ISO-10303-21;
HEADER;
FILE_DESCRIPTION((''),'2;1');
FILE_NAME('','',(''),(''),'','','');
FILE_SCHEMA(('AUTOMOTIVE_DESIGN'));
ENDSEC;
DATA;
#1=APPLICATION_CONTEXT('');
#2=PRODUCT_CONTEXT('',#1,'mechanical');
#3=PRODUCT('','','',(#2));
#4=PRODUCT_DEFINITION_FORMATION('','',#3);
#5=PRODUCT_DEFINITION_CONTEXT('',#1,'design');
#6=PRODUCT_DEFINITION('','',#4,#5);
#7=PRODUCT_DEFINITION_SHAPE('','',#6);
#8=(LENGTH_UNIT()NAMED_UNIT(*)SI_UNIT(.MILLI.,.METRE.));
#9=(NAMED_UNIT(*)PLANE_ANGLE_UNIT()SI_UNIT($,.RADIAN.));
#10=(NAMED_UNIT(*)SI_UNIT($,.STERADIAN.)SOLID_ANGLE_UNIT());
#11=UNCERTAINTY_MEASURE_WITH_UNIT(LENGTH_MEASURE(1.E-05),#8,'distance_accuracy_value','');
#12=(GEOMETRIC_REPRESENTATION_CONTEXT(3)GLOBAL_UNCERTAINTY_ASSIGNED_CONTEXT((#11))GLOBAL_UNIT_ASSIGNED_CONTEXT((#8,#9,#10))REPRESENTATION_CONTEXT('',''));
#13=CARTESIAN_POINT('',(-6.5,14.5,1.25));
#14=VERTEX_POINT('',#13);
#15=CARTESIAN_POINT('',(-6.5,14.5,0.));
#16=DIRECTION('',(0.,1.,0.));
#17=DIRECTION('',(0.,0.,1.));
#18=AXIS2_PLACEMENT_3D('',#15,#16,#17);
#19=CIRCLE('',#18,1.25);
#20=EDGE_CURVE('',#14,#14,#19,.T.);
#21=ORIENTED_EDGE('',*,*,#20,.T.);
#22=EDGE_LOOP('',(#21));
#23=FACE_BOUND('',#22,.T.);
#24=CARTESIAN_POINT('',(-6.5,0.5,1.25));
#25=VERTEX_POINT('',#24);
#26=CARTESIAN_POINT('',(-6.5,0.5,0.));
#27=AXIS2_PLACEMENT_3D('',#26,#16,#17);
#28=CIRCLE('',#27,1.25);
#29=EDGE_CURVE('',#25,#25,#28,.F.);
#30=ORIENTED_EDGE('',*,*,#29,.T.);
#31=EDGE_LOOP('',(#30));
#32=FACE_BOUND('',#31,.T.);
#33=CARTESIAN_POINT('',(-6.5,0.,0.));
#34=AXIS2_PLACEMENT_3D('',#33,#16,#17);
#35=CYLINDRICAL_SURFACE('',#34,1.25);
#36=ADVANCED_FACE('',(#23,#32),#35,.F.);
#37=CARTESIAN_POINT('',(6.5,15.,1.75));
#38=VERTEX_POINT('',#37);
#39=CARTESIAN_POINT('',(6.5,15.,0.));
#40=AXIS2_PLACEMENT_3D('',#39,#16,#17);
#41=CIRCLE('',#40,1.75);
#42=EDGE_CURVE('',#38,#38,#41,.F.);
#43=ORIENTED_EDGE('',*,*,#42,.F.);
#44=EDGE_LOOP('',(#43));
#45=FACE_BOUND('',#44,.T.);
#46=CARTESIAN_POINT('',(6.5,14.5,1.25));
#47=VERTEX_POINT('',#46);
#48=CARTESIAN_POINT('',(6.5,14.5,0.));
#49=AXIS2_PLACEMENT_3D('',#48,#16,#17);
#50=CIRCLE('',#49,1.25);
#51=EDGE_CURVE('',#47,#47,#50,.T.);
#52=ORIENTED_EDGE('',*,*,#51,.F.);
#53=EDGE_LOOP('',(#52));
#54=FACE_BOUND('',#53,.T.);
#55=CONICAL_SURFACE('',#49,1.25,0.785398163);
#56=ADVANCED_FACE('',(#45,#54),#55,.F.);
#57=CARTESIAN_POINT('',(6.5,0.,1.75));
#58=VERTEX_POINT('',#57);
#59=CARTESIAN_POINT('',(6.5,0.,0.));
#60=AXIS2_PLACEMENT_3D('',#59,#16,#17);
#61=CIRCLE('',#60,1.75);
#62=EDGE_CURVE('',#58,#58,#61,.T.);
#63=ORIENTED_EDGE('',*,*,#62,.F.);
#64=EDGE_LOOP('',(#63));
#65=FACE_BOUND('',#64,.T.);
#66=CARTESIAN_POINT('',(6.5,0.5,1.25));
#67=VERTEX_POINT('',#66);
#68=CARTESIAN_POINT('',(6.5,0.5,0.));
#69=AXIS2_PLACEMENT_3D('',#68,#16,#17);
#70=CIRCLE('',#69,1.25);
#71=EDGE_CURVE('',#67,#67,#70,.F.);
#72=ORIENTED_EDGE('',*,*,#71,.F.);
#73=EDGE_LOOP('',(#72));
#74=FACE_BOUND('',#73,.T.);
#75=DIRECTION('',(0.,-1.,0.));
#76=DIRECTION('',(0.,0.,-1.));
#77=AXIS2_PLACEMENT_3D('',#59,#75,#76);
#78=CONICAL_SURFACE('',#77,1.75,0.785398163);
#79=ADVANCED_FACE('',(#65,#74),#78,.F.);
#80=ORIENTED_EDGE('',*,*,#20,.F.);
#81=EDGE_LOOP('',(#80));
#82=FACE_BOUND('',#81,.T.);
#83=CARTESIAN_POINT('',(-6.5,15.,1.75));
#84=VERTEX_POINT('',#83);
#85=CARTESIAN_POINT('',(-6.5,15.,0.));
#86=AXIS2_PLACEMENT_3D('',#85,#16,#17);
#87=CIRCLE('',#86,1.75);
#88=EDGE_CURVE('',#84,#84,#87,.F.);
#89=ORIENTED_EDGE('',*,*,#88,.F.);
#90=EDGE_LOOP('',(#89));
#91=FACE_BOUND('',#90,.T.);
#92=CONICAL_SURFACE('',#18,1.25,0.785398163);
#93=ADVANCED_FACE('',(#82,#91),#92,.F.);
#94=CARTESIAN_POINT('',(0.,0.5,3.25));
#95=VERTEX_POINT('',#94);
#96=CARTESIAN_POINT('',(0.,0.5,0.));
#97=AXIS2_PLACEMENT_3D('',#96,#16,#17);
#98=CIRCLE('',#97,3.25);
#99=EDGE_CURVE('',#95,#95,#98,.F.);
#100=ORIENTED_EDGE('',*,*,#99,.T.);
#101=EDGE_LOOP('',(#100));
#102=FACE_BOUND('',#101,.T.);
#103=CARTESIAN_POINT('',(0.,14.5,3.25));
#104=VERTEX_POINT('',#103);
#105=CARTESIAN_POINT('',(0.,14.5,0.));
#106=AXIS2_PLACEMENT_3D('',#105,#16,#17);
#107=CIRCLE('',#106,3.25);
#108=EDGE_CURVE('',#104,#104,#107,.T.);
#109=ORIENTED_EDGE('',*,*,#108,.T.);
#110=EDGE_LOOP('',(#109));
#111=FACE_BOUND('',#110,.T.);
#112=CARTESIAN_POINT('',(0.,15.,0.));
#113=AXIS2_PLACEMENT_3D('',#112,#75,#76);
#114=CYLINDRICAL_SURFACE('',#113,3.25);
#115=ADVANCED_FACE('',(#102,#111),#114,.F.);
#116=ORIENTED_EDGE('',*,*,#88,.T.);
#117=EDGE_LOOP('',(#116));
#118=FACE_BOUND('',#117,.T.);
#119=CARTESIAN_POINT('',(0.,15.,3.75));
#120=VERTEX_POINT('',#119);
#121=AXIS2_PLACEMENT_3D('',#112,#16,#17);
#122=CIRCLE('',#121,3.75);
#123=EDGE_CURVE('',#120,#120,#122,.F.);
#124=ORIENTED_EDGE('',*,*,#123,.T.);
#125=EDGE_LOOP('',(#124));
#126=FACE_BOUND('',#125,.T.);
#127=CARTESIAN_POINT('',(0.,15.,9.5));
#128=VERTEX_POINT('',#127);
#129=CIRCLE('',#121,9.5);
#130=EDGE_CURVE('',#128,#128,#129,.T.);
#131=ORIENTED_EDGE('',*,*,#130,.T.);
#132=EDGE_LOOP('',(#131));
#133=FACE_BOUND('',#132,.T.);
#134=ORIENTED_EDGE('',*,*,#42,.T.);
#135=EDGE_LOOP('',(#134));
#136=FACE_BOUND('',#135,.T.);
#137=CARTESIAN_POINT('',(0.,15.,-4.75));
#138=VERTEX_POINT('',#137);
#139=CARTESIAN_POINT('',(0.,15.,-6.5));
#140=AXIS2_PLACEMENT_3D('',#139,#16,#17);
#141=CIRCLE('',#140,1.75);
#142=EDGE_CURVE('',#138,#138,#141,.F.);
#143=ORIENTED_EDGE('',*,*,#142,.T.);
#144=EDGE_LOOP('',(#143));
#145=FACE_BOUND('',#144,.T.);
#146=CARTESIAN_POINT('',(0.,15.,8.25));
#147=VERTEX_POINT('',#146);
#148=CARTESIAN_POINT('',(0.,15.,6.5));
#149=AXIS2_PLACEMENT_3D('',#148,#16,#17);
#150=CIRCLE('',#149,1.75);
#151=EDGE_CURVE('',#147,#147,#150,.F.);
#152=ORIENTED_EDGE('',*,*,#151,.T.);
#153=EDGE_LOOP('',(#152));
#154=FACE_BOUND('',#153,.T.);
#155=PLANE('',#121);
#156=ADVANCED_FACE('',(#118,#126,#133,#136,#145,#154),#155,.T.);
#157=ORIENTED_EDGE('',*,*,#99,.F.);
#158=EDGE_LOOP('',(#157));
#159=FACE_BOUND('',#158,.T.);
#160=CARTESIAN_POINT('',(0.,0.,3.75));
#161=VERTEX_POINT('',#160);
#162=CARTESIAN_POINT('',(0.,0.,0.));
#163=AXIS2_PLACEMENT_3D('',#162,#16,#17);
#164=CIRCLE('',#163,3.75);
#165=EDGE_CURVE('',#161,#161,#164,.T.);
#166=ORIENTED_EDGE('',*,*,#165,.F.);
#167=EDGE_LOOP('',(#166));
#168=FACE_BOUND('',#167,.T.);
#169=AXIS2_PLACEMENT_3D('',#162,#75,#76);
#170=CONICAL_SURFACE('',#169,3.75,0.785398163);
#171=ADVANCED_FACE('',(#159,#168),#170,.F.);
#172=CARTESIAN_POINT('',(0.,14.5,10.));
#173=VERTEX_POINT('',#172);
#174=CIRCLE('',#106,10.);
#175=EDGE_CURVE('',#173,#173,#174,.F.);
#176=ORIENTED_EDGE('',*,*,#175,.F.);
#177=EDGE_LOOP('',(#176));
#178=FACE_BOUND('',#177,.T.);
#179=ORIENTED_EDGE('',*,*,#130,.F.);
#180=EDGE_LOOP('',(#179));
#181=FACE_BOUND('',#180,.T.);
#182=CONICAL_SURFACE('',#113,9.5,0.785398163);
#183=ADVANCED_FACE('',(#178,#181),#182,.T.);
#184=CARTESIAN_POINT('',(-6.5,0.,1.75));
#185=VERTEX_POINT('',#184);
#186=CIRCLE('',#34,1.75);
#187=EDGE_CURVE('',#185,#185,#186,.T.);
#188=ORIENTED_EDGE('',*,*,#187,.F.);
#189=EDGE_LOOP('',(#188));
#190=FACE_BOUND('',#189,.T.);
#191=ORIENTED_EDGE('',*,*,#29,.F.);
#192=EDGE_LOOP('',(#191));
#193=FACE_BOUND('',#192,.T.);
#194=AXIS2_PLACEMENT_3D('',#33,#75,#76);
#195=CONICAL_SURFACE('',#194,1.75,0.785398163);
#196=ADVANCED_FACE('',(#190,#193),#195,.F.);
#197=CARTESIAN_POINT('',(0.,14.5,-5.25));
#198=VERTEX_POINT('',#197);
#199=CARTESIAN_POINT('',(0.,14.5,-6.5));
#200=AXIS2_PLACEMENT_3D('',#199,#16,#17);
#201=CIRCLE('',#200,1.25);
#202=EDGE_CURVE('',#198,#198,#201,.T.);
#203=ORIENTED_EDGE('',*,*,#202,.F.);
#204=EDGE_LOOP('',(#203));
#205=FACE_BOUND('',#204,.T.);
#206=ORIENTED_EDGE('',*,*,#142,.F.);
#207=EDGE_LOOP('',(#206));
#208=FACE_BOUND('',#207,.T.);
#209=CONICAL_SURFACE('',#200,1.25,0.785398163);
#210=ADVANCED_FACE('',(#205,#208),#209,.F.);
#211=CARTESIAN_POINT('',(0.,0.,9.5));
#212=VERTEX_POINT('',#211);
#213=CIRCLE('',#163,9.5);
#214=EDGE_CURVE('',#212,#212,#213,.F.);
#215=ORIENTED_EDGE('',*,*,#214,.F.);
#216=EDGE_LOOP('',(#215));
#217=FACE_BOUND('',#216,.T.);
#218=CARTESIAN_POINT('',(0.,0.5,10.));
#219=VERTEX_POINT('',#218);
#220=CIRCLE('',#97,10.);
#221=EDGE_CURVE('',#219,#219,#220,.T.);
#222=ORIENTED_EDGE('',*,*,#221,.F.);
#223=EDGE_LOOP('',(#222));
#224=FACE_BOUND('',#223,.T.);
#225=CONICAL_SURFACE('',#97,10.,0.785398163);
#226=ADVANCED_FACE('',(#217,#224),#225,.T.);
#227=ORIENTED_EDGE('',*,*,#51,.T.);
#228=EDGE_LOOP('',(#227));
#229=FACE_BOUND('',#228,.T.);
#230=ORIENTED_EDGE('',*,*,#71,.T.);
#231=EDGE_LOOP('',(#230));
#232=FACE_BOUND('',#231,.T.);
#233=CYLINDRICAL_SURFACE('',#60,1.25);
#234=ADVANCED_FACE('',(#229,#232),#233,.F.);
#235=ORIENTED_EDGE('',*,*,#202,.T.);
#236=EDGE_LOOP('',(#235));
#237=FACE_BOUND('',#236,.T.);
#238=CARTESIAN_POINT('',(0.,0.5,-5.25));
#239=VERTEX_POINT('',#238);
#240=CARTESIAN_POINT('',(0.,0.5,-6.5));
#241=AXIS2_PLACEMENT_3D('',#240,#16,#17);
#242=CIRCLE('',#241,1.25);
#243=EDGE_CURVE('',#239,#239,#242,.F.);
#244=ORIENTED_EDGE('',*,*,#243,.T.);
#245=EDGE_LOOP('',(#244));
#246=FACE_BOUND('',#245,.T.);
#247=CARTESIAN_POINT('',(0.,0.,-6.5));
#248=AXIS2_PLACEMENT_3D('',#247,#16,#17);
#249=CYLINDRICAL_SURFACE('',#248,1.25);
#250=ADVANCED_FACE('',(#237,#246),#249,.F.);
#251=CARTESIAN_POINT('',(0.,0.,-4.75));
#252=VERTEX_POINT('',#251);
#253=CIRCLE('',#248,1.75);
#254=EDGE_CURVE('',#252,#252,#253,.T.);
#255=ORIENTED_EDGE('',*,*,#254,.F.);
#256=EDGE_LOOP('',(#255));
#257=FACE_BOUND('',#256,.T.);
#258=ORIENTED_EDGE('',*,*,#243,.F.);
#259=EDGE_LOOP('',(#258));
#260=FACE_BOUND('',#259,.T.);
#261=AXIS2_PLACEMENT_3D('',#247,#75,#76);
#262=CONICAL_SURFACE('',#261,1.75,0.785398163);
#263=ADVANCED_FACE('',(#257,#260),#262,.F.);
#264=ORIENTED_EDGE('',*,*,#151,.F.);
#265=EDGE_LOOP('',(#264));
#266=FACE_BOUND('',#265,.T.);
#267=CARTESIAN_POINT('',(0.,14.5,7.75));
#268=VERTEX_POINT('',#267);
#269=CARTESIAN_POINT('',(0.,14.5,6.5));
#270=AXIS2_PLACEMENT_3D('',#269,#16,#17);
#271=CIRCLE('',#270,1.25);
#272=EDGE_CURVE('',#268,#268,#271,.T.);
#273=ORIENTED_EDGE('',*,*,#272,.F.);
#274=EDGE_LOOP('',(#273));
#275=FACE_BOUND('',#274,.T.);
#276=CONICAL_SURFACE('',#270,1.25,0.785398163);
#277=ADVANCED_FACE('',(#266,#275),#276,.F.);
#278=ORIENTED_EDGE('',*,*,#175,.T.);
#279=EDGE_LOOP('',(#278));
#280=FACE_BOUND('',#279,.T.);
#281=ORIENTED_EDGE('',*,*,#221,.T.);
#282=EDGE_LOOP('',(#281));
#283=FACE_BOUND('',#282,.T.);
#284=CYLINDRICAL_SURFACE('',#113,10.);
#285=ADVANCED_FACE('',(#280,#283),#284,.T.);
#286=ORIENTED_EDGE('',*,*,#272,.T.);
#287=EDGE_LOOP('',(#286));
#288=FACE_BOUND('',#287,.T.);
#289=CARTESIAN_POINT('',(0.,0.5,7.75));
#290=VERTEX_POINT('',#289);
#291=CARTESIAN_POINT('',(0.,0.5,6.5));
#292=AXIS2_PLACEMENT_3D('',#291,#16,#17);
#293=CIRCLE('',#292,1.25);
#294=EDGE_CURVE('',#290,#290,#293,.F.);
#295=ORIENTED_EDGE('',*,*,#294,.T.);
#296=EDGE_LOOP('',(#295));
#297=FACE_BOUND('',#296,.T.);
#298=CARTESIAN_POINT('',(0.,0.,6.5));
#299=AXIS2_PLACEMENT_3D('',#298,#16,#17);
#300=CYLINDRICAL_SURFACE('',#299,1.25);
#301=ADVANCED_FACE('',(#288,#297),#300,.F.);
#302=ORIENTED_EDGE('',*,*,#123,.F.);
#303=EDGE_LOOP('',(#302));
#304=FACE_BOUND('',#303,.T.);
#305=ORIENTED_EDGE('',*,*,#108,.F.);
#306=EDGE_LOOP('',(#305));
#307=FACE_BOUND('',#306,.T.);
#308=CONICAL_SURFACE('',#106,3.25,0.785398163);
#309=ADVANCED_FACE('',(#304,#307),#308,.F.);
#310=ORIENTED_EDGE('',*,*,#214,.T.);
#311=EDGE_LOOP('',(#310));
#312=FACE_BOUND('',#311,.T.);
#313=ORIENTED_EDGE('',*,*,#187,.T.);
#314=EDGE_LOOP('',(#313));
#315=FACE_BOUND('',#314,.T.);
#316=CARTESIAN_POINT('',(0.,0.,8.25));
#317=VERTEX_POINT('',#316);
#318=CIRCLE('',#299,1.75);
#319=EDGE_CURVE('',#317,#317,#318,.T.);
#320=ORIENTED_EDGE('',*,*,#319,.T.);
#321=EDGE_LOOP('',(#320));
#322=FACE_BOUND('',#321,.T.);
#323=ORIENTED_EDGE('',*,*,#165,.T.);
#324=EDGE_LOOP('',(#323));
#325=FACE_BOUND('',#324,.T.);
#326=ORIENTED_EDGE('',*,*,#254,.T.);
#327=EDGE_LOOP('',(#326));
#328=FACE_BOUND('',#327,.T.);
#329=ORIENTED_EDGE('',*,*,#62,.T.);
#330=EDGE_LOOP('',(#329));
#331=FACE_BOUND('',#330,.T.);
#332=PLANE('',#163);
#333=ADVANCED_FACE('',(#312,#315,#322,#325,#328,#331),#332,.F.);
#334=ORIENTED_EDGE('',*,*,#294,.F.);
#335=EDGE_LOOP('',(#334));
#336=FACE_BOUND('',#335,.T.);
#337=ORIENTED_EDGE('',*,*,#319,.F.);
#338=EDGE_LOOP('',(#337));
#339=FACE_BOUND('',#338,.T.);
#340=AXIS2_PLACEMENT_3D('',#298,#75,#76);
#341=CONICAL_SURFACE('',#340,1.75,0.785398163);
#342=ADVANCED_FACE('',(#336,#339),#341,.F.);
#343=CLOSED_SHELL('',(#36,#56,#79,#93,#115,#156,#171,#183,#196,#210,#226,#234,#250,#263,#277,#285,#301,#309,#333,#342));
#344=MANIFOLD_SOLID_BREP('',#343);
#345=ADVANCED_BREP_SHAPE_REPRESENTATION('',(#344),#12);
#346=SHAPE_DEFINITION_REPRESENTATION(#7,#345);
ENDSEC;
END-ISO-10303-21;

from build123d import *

# Parameters (mm, degrees)
SKETCH_1_R               = 10
SKETCH_1_R_2             = 3.25
EXTRUDE_1_DEPTH          = 15
SKETCH_2_R               = 1.25
CUT_EXTRUDE_1_DEPTH      = 15
PATTERN_CIRCULAR_1_COUNT = 4
CHAMFER_1_SIZE           = 0.5


with BuildPart() as part:
    # 草图1 → 凸台-拉伸1 (new body)
    with BuildSketch(Plane(origin=(0, 0, 0), x_dir=(1, 0, 0), z_dir=(0, 1, 0))):
        with Locations(Location((0, 0, 0), (0, 0, 270))):
            Circle(SKETCH_1_R)
        with Locations(Location((0, 0, 0), (0, 0, 270))):
            Circle(SKETCH_1_R_2, mode=Mode.SUBTRACT)
    extrude(amount=EXTRUDE_1_DEPTH)

    # 草图2 → 切除-拉伸1 (cut)
    with BuildSketch(Plane(origin=(0, 15, 0), x_dir=(1, 0, 0), z_dir=(0, 1, 0))):
        with Locations(Location((-6.5, 0, 0), (0, 0, 270))):
            Circle(SKETCH_2_R)
    cut_extrude_1 = extrude(amount=-CUT_EXTRUDE_1_DEPTH, mode=Mode.SUBTRACT)

    # 阵列(圆周)1: 切除-拉伸1 ×4 about axis
    pattern_circular_1_axis = Axis((0, 0, 0), (0, 1, 0))
    for i in range(1, PATTERN_CIRCULAR_1_COUNT):
        add(cut_extrude_1.rotate(pattern_circular_1_axis, i * 360 / PATTERN_CIRCULAR_1_COUNT), mode=Mode.SUBTRACT)

    # 倒角1
    chamfer_1_edges = [part.edges().sort_by_distance(p)[0] for p in [
        (-6.5, 0, -1.25),
        (-6.5, 15, -1.25),
        (1.25, 0, -6.5),
        (1.25, 15, -6.5),
        (0, 0, -10),
        (6.5, 0, 1.25),
        (6.5, 15, 1.25),
        (-1.25, 0, 6.5),
        (-1.25, 15, 6.5),
        (0, 15, -10),
        (0, 0, -3.25),
        (0, 15, -3.25),
    ]]
    chamfer(chamfer_1_edges, length=CHAMFER_1_SIZE)


solid = part.part
